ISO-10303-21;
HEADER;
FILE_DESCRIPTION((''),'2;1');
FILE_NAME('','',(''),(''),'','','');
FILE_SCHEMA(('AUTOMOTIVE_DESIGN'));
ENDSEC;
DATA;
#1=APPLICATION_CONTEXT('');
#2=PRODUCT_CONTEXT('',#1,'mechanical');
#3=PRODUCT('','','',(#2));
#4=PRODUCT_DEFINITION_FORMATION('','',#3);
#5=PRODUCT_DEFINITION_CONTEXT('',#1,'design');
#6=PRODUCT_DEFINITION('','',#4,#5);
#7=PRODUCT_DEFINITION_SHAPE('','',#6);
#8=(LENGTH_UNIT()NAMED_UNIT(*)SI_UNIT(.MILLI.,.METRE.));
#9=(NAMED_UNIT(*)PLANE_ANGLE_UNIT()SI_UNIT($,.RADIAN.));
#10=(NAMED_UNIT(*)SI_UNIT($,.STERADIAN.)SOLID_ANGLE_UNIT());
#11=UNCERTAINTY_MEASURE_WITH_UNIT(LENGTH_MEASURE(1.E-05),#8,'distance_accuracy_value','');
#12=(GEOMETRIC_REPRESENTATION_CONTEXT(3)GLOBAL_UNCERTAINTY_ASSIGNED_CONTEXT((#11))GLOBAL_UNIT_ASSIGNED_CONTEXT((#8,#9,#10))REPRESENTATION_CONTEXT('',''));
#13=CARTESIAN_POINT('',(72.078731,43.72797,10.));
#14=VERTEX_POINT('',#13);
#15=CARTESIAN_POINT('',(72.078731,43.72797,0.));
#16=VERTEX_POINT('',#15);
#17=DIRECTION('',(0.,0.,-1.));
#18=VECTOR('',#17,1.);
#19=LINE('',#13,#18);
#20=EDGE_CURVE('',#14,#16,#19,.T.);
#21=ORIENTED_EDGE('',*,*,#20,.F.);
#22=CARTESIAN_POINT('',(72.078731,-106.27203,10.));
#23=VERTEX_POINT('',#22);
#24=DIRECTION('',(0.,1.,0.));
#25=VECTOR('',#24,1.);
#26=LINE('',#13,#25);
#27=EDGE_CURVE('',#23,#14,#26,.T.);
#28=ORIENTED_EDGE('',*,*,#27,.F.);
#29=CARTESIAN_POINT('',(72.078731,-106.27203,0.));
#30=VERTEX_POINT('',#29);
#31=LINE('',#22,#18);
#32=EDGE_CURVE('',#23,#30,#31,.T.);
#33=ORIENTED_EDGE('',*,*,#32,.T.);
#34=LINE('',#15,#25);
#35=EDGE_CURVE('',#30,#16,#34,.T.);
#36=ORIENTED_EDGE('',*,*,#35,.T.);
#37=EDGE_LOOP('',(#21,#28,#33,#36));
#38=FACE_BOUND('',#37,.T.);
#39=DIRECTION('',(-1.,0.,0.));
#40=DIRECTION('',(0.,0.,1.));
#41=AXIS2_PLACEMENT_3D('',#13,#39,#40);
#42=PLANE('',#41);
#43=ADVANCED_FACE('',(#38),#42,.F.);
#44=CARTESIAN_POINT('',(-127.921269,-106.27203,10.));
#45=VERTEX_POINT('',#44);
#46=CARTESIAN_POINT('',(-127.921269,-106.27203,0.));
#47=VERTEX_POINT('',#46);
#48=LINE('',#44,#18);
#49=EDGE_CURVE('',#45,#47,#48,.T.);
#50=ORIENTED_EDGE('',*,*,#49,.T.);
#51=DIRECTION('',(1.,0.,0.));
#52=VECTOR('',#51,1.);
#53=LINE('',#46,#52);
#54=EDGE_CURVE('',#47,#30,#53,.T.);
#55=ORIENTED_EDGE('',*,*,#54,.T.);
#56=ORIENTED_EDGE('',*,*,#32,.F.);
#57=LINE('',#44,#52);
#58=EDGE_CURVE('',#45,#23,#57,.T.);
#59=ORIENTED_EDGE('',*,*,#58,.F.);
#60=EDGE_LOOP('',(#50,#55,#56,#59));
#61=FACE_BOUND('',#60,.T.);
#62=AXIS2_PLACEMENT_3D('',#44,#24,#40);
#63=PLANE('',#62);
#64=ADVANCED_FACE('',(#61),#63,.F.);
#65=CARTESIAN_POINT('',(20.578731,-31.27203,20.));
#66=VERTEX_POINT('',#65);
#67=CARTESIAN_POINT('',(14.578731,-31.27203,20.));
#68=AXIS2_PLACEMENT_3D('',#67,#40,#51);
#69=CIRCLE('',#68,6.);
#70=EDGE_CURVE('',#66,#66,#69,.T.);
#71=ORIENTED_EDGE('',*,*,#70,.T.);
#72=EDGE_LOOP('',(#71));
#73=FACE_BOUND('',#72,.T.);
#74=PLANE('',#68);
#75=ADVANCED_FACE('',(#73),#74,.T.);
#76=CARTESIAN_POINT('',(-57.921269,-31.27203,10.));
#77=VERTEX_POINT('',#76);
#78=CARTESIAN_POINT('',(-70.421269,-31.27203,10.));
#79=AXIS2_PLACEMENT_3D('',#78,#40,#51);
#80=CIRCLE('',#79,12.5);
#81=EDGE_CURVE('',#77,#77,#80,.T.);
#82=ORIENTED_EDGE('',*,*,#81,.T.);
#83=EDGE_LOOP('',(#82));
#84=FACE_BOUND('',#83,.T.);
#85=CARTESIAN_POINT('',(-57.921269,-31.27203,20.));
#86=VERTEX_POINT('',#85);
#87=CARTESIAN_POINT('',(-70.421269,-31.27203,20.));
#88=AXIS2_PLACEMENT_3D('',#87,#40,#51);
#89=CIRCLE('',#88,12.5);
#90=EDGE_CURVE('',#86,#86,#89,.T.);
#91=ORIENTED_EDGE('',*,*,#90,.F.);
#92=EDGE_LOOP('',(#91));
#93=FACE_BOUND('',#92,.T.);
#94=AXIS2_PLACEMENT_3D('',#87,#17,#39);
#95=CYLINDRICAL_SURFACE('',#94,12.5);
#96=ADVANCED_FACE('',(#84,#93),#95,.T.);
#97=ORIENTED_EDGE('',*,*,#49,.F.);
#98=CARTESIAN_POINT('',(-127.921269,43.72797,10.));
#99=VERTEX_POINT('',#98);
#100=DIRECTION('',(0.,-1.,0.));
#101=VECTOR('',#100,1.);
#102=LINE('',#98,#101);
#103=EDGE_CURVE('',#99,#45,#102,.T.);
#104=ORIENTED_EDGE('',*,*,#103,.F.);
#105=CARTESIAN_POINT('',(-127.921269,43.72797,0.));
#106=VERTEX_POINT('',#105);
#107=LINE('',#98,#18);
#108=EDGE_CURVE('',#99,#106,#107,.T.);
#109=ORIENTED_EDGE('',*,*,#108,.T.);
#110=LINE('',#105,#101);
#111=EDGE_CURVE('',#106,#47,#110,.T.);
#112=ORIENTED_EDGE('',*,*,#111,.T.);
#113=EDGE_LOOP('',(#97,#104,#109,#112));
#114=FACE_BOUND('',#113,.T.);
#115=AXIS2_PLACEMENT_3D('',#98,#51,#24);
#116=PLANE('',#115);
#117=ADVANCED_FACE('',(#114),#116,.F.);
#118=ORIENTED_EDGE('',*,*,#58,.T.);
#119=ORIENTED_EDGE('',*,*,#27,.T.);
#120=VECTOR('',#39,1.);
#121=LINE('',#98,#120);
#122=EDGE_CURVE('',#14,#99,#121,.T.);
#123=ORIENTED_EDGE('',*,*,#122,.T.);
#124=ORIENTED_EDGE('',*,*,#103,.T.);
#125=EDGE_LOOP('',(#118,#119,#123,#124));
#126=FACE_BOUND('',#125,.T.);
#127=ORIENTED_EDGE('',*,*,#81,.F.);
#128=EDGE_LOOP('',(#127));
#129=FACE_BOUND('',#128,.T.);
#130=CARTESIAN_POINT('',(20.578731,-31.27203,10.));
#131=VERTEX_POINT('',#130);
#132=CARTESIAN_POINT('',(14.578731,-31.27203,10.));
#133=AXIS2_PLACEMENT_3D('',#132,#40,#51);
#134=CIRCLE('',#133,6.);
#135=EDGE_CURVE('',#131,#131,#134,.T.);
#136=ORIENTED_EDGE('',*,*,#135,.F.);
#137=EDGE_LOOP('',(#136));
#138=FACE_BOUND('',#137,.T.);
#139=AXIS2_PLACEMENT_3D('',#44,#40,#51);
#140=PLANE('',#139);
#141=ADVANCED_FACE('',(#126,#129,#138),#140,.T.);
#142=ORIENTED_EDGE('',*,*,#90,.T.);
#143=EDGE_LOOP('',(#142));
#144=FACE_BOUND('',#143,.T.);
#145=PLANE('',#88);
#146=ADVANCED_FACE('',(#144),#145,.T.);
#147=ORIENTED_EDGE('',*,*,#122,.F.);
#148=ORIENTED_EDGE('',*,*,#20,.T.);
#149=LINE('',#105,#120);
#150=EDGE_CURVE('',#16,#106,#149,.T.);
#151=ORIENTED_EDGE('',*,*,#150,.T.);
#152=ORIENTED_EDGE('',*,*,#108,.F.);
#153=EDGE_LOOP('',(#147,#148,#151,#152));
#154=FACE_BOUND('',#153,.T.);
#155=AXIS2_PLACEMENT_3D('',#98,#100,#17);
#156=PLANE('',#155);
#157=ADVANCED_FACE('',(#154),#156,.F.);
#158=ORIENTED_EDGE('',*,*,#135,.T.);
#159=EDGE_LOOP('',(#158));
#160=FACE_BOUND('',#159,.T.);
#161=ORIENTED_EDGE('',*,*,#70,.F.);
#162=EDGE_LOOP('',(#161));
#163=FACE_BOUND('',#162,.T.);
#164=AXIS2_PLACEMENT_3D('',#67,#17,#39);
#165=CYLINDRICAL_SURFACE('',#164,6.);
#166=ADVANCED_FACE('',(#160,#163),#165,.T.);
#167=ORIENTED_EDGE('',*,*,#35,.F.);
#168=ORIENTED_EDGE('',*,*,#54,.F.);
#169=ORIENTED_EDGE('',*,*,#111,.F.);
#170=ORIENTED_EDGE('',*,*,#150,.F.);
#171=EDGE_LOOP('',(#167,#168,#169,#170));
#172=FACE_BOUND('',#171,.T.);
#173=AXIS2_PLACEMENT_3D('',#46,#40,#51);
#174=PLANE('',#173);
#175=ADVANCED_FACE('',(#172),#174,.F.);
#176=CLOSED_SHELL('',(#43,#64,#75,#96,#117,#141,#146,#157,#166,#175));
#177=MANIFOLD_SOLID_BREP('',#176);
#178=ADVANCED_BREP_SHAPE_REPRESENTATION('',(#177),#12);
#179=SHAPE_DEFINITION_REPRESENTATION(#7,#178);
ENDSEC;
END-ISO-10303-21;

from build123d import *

# Parameters (mm, degrees)
SKETCH1_W      = 200
SKETCH1_H      = 150
EXTRUDE1_DEPTH = 10
SKETCH2_R      = 12.5
SKETCH2_R_2    = 6
EXTRUDE2_DEPTH = 10


with BuildPart() as part:
    # Sketch1 → Extrude1 (new body)
    with BuildSketch(Plane.XY):
        with Locations((-27.921269036, -31.272030457)):
            Rectangle(SKETCH1_W, SKETCH1_H)
    extrude(amount=EXTRUDE1_DEPTH)

    # Sketch2 → Extrude2 (add)
    with BuildSketch(Plane.XY.offset(10)):
        with Locations((-70.421269036, -31.272030457)):
            Circle(SKETCH2_R)
        with Locations((14.578730964, -31.272030457)):
            Circle(SKETCH2_R_2)
    extrude(amount=EXTRUDE2_DEPTH)


solid = part.part
